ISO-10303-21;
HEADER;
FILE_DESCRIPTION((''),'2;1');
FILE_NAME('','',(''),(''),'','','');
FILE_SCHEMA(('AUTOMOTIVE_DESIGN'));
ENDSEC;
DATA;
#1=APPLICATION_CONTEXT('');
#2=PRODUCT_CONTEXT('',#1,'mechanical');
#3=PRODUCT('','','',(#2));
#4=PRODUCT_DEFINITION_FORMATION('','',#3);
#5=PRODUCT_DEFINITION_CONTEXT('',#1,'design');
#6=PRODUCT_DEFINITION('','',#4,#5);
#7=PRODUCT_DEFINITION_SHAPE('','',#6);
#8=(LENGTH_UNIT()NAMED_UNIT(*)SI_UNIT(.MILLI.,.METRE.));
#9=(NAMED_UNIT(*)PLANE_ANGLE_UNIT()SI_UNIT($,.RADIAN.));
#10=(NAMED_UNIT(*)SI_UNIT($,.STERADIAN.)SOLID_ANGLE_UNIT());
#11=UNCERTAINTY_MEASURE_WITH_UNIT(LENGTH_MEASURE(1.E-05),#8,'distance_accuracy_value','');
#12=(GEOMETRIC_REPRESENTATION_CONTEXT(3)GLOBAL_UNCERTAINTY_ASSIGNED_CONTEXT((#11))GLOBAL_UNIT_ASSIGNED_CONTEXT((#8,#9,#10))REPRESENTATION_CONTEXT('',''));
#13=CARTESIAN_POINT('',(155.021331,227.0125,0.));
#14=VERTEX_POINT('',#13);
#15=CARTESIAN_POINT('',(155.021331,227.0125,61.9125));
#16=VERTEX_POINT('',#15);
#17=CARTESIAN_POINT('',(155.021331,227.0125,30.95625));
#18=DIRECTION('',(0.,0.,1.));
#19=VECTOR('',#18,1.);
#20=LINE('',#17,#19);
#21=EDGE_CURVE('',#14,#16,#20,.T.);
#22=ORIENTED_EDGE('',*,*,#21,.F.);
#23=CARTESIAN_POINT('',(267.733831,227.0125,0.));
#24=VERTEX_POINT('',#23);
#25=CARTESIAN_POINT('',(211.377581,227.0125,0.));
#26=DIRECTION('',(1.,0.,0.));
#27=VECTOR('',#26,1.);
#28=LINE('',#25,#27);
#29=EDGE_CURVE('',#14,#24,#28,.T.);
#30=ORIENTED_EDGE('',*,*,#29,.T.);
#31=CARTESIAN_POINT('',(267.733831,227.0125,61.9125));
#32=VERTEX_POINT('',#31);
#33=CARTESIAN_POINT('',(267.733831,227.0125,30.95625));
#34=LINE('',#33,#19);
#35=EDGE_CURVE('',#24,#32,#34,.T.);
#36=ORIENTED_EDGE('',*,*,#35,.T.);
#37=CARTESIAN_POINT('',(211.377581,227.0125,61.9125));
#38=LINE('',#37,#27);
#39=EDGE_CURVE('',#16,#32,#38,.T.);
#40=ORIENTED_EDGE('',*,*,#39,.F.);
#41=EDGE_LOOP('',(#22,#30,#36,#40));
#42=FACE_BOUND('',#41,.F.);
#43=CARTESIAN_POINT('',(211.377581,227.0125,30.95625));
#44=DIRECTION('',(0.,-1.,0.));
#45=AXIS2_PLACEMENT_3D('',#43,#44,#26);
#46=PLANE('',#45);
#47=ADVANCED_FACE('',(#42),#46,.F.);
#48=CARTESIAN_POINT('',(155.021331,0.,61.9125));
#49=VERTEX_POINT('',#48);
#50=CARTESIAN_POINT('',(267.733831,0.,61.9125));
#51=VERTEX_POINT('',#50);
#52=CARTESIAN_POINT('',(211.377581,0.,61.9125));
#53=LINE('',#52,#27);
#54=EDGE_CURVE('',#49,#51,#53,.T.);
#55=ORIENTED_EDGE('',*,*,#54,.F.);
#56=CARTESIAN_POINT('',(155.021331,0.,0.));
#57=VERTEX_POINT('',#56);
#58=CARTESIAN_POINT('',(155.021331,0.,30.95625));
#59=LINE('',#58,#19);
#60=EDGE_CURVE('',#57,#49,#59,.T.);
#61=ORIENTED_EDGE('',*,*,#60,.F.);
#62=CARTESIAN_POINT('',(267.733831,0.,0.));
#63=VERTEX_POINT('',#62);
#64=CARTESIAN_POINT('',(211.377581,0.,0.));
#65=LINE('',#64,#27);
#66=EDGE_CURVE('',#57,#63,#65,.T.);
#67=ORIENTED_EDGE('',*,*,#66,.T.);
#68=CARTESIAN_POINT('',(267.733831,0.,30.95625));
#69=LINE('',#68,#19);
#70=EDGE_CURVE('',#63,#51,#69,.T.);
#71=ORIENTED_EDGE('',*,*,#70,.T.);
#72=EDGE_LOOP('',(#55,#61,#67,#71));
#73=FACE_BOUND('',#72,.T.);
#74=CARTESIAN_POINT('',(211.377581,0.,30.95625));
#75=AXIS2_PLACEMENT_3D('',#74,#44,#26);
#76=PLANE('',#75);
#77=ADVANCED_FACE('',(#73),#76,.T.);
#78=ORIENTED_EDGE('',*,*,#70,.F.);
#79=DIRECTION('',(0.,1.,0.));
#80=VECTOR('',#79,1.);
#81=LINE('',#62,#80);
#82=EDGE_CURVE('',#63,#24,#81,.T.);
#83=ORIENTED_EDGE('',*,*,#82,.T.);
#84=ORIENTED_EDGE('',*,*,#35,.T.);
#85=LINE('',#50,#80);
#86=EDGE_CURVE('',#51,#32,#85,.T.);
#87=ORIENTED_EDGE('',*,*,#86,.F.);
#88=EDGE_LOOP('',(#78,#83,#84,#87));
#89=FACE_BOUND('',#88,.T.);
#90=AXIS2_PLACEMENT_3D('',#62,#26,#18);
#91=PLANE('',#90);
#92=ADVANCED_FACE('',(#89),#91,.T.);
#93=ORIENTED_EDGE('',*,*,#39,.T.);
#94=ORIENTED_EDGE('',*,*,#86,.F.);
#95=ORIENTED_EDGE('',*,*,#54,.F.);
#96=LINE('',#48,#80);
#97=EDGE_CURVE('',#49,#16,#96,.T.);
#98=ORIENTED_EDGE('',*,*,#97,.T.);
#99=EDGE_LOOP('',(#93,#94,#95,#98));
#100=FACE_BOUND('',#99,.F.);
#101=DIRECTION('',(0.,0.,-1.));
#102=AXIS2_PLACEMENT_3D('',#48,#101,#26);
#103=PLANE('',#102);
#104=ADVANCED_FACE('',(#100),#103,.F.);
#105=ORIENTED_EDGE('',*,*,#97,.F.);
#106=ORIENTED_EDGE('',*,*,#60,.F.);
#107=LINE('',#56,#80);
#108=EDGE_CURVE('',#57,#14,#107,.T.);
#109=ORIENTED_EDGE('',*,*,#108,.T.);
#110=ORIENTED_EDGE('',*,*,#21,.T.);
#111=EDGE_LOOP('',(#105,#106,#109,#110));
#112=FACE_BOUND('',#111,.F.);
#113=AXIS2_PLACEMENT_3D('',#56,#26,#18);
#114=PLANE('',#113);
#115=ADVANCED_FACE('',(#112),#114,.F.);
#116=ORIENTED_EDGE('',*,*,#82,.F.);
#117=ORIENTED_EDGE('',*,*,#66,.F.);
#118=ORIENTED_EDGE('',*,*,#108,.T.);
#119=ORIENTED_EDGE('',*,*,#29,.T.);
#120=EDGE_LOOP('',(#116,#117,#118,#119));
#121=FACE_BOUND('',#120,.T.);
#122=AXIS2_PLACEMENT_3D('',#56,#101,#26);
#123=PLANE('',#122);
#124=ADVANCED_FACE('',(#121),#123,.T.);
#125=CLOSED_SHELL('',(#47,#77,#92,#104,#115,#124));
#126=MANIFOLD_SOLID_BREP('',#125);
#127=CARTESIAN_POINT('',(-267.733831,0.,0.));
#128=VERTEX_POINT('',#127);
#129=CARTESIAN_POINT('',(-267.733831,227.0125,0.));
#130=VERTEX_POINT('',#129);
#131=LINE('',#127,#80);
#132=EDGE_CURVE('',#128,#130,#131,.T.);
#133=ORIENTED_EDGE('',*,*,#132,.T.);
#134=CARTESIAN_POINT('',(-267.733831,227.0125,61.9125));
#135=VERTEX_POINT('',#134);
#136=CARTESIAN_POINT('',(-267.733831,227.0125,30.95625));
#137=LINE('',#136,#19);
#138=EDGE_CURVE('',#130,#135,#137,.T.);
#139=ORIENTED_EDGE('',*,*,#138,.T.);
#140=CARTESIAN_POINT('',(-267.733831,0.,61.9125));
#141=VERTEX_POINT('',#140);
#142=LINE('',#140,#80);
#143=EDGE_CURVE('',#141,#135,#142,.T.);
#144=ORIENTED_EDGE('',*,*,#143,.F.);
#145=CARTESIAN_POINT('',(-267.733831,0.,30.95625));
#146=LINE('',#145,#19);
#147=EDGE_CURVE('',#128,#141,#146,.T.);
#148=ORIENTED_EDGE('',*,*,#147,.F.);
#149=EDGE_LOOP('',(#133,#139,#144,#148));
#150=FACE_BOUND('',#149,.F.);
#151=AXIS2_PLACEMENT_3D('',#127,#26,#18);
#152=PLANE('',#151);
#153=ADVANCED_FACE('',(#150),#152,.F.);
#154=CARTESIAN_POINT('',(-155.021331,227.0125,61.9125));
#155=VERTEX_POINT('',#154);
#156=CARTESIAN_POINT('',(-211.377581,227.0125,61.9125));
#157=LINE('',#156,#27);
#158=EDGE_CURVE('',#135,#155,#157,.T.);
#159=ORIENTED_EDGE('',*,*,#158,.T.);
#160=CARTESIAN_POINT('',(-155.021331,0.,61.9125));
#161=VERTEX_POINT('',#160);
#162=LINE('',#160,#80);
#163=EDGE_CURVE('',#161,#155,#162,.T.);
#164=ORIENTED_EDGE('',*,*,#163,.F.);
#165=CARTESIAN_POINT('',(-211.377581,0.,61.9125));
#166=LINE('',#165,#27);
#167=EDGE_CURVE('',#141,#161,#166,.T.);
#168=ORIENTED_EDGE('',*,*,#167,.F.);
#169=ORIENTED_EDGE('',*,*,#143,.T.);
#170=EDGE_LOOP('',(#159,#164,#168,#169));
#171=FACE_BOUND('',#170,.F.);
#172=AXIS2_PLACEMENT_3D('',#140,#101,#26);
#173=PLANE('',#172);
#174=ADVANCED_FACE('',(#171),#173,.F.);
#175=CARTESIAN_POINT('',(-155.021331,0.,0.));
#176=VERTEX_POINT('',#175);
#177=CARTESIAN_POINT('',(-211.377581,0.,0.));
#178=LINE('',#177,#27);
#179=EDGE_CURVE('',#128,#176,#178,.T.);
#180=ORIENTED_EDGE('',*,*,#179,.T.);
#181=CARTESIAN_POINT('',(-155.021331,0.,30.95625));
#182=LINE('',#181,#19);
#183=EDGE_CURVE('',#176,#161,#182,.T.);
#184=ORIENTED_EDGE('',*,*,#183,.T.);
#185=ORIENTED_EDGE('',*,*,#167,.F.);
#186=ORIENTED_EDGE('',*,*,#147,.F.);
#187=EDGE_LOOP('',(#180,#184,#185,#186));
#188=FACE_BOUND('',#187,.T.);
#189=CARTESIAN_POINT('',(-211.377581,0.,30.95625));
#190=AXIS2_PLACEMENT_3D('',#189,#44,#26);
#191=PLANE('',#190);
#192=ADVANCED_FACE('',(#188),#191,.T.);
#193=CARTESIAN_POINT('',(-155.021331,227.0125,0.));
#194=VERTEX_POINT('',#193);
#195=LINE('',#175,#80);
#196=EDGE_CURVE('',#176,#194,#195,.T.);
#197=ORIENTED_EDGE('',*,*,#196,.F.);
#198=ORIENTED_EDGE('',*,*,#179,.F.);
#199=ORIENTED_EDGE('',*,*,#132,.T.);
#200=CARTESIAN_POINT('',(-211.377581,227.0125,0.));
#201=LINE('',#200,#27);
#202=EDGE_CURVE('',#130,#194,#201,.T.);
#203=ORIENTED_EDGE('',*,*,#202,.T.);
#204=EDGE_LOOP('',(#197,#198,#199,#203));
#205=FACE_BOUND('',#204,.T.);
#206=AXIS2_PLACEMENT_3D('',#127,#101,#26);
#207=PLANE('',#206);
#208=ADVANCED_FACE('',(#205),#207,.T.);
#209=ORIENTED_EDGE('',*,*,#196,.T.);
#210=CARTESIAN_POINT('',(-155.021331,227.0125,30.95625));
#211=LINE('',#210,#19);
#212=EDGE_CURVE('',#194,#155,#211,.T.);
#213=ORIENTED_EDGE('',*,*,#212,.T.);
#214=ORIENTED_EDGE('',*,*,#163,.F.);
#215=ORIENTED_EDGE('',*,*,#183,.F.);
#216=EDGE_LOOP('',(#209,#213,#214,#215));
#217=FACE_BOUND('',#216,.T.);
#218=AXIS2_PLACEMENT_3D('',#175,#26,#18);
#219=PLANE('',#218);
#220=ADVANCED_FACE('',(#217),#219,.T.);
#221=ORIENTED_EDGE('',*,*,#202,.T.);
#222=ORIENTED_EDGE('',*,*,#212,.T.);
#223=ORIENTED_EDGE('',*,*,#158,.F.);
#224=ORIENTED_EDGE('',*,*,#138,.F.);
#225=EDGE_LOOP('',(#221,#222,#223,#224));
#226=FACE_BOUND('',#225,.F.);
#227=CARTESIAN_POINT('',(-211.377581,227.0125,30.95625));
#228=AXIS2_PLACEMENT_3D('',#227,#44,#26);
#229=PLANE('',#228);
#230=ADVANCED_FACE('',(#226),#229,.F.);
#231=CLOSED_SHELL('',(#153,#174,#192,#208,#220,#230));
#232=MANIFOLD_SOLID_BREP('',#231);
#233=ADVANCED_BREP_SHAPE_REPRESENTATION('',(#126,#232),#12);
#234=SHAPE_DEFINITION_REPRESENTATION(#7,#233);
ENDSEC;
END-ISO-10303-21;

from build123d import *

# Parameters (mm, degrees)
F0_W     = 112.7125
F0_H     = 61.9125
F1_DEPTH = 227.0125


with BuildPart() as f1:
    # F0 (on Front) → F1 (new body)
    with BuildSketch(Plane.XZ):
        with Locations((211.377581, 30.95625)):
            Rectangle(F0_W, F0_H)
        with Locations((-211.377581, 30.95625)):
            Rectangle(F0_W, F0_H)
    extrude(amount=-F1_DEPTH)


solid = f1.part
